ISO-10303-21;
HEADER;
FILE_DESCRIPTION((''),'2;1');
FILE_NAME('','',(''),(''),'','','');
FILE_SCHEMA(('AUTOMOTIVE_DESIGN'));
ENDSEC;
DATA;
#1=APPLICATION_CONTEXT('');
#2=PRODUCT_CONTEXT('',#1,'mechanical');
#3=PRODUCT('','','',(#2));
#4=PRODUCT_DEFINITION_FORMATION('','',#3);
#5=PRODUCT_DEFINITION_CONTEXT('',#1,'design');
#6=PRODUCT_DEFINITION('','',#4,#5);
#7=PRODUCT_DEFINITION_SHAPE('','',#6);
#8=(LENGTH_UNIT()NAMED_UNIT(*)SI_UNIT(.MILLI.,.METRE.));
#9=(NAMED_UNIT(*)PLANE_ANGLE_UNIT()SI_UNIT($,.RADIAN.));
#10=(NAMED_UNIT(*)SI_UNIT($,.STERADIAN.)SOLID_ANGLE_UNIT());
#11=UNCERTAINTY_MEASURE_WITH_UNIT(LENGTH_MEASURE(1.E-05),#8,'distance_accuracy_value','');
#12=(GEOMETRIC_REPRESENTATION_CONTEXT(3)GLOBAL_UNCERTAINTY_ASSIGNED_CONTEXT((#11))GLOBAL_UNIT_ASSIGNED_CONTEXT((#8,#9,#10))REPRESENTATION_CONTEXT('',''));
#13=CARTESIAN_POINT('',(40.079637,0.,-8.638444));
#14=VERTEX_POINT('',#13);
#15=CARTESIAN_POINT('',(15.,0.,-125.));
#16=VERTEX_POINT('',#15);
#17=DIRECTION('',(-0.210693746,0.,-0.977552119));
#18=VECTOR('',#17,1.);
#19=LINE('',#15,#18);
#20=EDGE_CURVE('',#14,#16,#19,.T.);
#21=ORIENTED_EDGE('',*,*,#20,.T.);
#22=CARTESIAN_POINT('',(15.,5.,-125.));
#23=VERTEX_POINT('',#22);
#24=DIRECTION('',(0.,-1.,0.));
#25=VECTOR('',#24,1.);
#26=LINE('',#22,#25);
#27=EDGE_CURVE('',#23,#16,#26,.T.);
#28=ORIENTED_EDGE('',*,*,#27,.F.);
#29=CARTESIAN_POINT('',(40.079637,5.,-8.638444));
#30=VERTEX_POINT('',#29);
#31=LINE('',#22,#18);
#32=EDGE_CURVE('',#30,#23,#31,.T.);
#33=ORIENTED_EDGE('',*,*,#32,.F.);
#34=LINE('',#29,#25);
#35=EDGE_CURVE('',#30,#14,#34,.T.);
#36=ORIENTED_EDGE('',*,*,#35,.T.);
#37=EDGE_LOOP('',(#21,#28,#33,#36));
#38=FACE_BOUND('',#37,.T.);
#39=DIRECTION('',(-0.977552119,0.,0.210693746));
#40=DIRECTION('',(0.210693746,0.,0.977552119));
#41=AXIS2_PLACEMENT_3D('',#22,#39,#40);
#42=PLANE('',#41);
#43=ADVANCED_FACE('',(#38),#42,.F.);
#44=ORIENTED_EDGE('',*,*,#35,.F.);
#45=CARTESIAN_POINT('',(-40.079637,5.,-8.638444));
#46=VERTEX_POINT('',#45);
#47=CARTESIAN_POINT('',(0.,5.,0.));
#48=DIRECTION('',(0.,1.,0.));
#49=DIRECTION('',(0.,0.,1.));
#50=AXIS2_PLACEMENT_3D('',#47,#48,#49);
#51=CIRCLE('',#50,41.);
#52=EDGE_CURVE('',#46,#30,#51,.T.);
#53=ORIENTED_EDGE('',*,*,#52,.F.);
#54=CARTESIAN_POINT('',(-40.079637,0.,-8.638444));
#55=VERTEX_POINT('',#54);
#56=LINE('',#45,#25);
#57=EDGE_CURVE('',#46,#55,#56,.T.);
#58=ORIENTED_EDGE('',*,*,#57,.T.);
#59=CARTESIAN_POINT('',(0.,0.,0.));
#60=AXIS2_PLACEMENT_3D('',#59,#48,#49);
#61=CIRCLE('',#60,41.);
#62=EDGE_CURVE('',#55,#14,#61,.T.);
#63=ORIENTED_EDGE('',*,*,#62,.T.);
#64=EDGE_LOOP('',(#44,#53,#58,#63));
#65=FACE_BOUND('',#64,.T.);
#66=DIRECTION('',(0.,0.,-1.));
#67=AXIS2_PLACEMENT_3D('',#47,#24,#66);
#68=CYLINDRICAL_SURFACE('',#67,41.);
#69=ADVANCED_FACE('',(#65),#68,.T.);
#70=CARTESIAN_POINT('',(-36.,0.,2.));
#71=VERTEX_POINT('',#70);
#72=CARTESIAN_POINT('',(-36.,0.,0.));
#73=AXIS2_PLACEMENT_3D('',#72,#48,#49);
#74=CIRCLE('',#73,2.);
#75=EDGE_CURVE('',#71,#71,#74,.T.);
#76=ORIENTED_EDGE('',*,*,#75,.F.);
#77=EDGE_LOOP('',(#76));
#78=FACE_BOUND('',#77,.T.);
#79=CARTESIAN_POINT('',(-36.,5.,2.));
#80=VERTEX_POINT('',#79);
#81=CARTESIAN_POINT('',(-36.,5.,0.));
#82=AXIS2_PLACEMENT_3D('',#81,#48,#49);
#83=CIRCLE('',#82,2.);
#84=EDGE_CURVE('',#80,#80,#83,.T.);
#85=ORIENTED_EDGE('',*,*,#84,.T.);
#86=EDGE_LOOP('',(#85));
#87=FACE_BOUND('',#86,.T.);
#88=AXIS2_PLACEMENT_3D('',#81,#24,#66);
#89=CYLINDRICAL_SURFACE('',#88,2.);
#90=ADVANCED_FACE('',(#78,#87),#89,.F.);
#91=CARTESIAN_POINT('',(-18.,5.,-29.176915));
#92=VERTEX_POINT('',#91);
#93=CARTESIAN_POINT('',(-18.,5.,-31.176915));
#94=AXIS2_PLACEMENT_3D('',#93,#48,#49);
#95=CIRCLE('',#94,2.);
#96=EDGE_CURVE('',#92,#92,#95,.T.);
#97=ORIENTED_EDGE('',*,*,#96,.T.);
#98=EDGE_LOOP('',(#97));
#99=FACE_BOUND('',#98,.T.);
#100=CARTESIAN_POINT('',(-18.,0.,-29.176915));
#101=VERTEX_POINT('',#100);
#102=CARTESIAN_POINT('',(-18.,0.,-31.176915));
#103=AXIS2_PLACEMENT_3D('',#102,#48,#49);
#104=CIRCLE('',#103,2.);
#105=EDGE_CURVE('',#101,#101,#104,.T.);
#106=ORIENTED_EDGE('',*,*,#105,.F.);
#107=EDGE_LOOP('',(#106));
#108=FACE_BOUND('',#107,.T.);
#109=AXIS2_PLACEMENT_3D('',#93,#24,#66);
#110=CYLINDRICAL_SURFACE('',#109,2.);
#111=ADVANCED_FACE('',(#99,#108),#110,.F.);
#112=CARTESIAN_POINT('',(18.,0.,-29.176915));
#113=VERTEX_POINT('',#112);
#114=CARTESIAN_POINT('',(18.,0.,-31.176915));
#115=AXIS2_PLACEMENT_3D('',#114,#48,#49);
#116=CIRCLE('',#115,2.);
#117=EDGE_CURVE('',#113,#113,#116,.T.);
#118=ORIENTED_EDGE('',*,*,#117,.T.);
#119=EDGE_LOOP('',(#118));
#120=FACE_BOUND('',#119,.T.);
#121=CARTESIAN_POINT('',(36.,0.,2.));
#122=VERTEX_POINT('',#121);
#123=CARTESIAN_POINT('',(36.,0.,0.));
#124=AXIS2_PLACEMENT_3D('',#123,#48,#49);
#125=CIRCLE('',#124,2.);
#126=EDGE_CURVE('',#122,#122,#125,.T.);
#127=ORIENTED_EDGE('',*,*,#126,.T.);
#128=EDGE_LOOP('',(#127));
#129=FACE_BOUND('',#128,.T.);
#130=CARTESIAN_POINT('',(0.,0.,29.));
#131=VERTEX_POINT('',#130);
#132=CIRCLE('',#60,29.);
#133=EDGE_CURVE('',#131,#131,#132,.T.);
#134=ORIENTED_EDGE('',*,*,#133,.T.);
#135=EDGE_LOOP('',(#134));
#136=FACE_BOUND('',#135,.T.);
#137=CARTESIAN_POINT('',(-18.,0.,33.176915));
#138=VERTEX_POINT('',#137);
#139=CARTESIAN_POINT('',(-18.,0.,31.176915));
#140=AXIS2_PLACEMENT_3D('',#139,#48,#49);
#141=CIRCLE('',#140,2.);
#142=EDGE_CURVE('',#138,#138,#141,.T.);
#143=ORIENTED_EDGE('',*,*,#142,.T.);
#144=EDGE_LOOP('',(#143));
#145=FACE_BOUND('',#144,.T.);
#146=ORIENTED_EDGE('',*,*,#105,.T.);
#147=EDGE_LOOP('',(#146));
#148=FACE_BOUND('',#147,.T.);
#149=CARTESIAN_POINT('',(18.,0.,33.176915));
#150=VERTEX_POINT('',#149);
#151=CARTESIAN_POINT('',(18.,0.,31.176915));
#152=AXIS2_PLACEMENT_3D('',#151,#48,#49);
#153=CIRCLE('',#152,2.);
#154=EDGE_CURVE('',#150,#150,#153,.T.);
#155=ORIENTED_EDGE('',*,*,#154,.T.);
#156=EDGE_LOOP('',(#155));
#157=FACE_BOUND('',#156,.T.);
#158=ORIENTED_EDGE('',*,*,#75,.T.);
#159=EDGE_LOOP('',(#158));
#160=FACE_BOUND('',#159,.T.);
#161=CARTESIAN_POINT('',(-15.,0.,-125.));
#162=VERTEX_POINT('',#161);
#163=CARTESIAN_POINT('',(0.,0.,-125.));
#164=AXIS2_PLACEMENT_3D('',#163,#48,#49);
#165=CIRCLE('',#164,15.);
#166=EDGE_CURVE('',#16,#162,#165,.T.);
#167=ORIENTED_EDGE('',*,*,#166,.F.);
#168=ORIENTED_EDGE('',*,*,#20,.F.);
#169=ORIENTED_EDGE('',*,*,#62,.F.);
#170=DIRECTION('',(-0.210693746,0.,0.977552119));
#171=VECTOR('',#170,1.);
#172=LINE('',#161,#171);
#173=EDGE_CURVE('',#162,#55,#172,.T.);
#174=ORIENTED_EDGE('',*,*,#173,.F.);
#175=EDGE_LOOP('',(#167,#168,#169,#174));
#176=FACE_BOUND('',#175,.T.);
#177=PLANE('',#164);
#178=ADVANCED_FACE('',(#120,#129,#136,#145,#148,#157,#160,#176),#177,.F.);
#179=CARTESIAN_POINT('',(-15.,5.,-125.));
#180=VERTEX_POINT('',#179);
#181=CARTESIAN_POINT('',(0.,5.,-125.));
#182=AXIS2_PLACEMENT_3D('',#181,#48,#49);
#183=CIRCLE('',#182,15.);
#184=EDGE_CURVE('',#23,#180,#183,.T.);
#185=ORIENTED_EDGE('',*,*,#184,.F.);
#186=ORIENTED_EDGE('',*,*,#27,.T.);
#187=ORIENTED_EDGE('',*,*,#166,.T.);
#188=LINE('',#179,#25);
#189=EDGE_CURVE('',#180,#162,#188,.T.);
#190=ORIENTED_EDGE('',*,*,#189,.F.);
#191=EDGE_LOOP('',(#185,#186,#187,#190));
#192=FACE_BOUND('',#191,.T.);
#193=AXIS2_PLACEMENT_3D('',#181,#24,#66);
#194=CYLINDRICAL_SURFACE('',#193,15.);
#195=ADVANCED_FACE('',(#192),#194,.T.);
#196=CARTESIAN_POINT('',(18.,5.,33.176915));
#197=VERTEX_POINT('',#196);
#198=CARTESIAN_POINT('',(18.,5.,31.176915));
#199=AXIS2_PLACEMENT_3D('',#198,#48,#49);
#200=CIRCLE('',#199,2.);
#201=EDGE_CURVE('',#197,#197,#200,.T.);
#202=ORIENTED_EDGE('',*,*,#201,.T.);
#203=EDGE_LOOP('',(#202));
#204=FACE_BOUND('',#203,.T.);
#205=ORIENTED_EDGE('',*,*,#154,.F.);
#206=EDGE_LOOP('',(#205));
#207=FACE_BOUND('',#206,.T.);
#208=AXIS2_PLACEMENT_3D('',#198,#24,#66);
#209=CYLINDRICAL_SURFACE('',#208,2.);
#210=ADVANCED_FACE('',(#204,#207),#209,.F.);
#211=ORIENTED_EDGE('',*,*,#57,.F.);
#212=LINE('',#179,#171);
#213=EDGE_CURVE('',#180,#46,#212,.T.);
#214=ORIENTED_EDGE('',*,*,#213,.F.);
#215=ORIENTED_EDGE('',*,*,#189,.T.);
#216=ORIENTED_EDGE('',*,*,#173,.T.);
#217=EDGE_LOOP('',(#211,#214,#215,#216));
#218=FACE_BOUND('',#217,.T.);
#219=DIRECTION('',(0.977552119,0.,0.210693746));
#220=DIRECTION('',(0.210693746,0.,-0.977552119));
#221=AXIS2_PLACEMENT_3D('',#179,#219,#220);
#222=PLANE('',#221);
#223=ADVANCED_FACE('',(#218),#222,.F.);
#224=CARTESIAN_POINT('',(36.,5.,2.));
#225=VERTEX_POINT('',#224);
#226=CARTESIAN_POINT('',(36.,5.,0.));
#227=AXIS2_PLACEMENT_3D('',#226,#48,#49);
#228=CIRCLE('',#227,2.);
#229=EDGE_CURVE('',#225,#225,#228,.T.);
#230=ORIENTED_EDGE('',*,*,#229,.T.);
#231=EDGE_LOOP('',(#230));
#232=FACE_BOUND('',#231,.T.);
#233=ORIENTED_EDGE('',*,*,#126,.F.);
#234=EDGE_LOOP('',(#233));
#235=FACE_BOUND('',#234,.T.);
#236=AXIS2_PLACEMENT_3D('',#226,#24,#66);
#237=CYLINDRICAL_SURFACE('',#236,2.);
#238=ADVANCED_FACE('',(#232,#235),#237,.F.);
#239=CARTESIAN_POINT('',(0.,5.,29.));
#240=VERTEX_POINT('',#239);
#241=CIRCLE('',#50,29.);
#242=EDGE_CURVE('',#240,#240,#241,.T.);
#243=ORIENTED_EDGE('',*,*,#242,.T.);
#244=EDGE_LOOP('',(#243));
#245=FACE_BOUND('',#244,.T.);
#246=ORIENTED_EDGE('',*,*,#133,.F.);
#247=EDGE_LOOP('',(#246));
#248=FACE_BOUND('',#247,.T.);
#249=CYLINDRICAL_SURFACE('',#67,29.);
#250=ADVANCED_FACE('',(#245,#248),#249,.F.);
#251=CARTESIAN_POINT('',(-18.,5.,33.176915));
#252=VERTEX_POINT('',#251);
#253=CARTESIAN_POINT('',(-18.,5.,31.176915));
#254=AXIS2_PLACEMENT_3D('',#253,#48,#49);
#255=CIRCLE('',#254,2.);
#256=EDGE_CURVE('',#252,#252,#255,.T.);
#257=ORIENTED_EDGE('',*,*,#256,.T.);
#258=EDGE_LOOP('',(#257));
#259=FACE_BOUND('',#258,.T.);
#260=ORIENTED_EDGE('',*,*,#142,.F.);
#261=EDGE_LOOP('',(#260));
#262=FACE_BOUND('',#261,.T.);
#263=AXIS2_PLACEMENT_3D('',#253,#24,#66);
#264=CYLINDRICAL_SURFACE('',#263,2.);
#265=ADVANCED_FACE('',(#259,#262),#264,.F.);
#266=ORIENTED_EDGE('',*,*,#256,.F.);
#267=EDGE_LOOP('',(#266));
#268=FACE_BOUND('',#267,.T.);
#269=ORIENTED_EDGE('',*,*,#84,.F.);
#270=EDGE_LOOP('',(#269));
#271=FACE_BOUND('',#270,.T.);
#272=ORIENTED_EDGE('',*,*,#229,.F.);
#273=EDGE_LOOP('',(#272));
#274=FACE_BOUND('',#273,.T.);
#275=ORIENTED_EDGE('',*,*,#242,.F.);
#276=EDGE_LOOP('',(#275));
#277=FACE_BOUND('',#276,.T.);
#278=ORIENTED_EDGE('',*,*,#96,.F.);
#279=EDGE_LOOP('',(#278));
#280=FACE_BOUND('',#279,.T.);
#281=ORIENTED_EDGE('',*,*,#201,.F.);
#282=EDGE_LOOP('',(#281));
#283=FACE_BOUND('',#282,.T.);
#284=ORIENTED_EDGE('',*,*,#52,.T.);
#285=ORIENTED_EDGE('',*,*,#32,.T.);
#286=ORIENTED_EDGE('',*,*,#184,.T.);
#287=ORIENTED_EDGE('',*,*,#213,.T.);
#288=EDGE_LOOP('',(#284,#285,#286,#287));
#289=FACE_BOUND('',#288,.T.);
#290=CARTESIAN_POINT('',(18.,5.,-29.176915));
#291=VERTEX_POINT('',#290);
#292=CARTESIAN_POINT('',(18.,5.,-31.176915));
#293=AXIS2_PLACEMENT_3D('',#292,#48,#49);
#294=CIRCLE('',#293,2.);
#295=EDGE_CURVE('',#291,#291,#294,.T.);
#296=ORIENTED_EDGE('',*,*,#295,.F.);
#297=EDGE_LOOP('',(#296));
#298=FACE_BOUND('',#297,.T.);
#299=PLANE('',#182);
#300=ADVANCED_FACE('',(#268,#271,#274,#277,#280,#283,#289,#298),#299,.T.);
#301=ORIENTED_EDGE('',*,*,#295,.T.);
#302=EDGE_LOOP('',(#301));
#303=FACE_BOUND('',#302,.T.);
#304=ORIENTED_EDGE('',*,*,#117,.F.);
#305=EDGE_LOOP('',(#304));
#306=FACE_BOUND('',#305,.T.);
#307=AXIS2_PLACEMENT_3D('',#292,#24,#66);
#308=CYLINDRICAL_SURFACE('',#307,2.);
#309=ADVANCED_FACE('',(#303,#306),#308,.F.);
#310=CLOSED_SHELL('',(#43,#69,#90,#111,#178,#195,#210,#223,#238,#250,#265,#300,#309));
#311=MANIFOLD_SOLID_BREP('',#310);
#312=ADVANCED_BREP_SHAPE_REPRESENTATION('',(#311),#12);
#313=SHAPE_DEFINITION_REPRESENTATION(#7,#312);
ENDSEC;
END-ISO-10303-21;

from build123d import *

# Parameters (mm, degrees)
SKETCH1_R           = 29
SKETCH1_R_2         = 2
BOSS_EXTRUDE1_DEPTH = 5


with BuildPart() as part:
    # Sketch1 → Boss-Extrude1 (new body)
    with BuildSketch(Plane(origin=(0, 0, 0), x_dir=(1, 0, 0), z_dir=(0, 1, 0))):
        with BuildLine():
            Line((-15, 125), (-40.079636882, 8.638443574))
            ThreePointArc((-40.079636882, 8.638443574), (0, -41), (40.079636882, 8.638443574))
            Line((40.079636882, 8.638443574), (15, 125))
            ThreePointArc((15, 125), (0, 140), (-15, 125))
        make_face()
        Circle(SKETCH1_R, mode=Mode.SUBTRACT)
        with Locations((36, 0)):
            Circle(SKETCH1_R_2, mode=Mode.SUBTRACT)
        with Locations((18, -31.176914536)):
            Circle(SKETCH1_R_2, mode=Mode.SUBTRACT)
        with Locations((-18, -31.176914536)):
            Circle(SKETCH1_R_2, mode=Mode.SUBTRACT)
        with Locations((-36, 0)):
            Circle(SKETCH1_R_2, mode=Mode.SUBTRACT)
        with Locations((-18, 31.176914536)):
            Circle(SKETCH1_R_2, mode=Mode.SUBTRACT)
        with Locations((18, 31.176914536)):
            Circle(SKETCH1_R_2, mode=Mode.SUBTRACT)
    extrude(amount=BOSS_EXTRUDE1_DEPTH)


solid = part.part
